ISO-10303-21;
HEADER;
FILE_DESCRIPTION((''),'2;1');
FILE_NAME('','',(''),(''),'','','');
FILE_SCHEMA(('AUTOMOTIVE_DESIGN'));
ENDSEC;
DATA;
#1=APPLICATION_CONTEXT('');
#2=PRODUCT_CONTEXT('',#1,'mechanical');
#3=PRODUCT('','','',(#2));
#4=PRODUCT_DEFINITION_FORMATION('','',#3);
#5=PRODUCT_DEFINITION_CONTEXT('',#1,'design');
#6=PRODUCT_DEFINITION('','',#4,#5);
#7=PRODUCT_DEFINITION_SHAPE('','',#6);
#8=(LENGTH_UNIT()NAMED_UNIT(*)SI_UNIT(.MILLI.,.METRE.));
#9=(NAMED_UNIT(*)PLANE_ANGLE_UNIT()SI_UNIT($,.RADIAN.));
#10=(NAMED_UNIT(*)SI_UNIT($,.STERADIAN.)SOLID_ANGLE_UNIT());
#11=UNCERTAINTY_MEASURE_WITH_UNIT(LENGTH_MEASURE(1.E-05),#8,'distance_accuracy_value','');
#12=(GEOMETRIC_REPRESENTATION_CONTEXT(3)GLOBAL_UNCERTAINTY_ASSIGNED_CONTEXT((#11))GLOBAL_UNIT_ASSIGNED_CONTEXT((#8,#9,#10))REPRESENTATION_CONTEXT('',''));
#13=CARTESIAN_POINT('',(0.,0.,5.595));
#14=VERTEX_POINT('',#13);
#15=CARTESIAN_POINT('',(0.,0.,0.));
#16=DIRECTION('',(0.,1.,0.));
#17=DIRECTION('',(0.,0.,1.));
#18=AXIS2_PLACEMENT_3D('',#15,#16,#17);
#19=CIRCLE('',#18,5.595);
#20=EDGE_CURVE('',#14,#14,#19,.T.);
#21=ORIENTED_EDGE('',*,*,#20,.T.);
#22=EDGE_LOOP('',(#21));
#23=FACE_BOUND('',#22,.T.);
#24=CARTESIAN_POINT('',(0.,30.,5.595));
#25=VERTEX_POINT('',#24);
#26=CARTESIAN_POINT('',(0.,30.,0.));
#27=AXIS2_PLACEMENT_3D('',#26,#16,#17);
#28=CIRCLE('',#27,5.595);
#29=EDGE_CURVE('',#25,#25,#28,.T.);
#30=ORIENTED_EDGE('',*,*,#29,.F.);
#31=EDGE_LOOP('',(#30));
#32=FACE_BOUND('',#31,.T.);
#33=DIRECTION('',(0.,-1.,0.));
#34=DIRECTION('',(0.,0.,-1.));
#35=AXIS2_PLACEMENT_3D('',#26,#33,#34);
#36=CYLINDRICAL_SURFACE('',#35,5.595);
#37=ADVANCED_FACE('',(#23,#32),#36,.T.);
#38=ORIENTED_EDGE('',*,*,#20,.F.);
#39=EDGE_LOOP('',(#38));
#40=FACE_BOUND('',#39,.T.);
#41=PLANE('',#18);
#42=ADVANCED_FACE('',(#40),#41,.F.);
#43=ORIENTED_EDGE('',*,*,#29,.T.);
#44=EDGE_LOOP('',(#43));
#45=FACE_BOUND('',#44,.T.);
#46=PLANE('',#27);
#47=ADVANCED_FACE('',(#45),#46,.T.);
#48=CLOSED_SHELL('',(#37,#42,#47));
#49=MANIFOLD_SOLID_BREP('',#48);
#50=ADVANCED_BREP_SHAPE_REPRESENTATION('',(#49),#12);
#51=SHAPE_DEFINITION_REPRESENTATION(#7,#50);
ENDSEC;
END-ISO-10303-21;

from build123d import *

# Parameters (mm, degrees)
SKETCH1_R           = 5.595
BOSS_EXTRUDE1_DEPTH = 30


with BuildPart() as part:
    # Sketch1 → Boss-Extrude1 (new body)
    with BuildSketch(Plane(origin=(0, 0, 0), x_dir=(1, 0, 0), z_dir=(0, 1, 0))):
        with Locations(Location((0, 0, 0), (0, 0, 270))):
            Circle(SKETCH1_R)
    extrude(amount=BOSS_EXTRUDE1_DEPTH)


solid = part.part
